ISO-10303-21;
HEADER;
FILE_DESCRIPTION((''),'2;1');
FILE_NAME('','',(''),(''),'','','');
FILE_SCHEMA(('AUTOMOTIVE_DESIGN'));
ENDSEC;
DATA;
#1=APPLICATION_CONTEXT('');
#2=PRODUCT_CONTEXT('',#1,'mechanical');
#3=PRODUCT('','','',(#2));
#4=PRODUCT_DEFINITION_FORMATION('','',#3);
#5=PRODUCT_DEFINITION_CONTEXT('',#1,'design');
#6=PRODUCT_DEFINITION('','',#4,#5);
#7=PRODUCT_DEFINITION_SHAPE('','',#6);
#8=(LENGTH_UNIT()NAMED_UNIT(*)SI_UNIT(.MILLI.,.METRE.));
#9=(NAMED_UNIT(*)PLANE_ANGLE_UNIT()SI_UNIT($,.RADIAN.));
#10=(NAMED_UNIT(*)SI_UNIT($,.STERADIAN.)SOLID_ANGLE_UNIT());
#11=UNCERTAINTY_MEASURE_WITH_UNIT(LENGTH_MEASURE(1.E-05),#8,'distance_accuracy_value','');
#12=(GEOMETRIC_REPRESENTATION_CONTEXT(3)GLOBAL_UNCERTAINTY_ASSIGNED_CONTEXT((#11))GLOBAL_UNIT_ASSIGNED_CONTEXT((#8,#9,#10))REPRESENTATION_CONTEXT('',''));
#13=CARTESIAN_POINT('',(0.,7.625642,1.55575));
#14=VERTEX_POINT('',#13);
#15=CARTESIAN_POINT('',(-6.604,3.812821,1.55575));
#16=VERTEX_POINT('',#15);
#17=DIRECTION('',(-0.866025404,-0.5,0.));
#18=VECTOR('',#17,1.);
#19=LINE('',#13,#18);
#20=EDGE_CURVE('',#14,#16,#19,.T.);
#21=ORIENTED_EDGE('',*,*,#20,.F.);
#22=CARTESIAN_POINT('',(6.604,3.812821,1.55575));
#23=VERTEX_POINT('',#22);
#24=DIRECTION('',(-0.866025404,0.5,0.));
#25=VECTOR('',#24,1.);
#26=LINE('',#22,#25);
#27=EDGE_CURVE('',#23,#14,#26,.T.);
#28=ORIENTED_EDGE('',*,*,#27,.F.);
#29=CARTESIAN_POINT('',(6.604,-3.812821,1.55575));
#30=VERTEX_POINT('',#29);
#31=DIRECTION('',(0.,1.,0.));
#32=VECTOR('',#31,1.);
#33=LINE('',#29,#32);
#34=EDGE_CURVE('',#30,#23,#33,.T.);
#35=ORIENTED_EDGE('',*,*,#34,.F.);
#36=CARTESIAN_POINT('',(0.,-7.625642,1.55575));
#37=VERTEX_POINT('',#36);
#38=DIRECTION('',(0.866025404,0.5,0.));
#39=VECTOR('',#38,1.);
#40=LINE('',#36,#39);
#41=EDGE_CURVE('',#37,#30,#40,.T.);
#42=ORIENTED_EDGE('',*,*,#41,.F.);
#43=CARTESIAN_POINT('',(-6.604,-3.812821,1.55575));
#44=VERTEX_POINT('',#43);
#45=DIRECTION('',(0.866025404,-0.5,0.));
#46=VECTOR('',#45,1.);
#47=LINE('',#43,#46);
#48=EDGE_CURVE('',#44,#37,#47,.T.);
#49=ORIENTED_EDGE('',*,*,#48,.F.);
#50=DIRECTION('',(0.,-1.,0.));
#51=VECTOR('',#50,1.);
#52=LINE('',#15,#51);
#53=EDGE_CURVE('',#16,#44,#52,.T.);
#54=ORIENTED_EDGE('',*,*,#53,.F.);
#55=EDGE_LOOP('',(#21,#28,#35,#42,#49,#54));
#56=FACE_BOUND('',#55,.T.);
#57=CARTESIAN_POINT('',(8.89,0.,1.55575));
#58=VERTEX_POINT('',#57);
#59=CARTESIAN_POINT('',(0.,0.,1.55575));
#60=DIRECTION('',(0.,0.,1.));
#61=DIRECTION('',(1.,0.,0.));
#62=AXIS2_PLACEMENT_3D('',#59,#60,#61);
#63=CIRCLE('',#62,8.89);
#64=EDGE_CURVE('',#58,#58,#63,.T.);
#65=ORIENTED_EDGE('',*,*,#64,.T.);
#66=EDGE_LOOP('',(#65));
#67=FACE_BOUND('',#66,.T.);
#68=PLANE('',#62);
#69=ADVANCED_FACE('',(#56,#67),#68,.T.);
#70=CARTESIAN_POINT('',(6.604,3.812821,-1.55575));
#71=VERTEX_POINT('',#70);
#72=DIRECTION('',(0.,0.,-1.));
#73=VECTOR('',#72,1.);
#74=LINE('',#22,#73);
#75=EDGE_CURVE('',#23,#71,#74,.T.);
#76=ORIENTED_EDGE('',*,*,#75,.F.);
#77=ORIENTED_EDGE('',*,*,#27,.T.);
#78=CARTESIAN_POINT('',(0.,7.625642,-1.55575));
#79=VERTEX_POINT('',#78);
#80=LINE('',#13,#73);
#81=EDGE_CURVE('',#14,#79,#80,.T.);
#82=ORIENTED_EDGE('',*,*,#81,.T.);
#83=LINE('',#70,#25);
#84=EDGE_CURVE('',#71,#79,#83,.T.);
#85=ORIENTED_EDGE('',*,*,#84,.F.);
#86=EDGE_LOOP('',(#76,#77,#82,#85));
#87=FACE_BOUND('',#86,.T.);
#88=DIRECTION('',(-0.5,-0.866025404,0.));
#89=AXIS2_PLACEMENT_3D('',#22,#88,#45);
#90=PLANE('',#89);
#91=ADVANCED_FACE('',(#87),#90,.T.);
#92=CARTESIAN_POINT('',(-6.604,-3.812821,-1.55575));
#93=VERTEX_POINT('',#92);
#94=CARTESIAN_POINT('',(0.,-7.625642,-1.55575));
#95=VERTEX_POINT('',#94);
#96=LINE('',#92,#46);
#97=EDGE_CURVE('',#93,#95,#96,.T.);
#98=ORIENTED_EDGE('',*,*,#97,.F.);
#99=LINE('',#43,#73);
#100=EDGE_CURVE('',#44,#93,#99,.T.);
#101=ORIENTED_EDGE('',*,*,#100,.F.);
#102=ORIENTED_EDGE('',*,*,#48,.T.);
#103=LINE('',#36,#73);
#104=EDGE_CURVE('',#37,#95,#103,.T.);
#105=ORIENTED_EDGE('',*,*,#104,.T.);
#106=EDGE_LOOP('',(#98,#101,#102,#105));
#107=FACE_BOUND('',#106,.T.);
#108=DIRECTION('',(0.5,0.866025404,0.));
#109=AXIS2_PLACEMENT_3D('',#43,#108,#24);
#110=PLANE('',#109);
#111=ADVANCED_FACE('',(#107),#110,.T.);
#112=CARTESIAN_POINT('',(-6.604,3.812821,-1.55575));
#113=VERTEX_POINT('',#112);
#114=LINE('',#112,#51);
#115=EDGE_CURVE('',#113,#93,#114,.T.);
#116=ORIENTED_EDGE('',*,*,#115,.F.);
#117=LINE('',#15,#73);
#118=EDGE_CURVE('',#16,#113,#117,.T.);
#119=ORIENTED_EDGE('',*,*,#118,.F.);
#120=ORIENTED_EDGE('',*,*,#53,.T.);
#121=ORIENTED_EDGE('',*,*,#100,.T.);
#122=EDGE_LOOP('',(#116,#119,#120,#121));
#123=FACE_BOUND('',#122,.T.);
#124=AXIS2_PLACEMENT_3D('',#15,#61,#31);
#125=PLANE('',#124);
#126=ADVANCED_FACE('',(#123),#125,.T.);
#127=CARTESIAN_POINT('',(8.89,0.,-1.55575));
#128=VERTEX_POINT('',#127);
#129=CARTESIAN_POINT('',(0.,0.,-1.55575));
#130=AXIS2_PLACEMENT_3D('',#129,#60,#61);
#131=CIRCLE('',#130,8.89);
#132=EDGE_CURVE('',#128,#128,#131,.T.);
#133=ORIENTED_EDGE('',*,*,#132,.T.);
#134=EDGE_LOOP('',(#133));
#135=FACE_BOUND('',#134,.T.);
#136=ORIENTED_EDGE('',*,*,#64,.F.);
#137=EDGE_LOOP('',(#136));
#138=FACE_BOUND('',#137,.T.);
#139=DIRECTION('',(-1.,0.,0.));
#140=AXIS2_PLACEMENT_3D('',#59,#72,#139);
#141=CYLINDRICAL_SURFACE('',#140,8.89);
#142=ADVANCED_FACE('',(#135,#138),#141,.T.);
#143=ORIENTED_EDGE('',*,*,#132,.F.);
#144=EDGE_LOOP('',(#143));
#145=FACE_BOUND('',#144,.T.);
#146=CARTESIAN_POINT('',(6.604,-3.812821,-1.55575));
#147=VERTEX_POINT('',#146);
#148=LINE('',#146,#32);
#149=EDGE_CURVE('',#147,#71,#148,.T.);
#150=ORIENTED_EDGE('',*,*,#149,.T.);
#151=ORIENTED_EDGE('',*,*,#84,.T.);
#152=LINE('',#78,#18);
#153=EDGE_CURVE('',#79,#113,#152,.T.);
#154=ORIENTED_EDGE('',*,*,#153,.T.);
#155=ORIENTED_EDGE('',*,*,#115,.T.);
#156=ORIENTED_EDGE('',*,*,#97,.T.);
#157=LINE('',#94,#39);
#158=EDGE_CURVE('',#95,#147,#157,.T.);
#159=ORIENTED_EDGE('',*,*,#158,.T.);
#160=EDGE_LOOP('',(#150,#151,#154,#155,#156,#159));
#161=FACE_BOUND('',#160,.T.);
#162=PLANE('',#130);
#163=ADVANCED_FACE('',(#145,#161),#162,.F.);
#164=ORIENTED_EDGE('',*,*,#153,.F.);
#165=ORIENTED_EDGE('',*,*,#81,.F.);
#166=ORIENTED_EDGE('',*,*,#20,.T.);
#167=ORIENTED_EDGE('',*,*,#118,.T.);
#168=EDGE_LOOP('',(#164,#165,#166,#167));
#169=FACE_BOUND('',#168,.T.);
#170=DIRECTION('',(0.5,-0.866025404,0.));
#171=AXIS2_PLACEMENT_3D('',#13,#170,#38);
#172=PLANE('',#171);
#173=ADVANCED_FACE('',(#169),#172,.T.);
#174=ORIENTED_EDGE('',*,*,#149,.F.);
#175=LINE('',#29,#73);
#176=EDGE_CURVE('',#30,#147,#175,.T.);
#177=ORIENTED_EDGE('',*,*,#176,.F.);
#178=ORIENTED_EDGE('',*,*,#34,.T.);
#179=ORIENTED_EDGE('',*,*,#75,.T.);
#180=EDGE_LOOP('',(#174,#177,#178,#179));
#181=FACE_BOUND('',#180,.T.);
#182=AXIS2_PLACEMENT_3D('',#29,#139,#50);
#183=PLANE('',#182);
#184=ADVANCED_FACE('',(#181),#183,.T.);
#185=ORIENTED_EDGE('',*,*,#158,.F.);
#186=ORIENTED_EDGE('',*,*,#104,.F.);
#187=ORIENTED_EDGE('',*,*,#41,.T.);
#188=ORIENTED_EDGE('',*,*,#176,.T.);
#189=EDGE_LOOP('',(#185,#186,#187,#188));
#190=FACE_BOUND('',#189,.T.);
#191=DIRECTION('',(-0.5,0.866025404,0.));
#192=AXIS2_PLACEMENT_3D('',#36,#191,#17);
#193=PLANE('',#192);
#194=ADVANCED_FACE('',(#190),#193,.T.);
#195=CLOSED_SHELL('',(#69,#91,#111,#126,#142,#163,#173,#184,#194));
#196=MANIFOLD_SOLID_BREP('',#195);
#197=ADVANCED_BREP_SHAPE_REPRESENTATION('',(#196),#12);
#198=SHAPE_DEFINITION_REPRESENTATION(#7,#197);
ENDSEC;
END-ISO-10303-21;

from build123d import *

# Parameters (mm, degrees)
SKETCH1_R           = 8.89
BOSS_EXTRUDE1_DEPTH = 1.55575


with BuildPart() as part:
    # Sketch1 → Boss-Extrude1 (new, symmetric)
    with BuildSketch(Plane.XY):
        Circle(SKETCH1_R)
        Polygon((0, 7.625642355), (-6.604, 3.812821178), (-6.604, -3.812821178), (0, -7.625642355), (6.604, -3.812821178), (6.604, 3.812821178), align=None, mode=Mode.SUBTRACT)
    extrude(amount=BOSS_EXTRUDE1_DEPTH, both=True)


solid = part.part
